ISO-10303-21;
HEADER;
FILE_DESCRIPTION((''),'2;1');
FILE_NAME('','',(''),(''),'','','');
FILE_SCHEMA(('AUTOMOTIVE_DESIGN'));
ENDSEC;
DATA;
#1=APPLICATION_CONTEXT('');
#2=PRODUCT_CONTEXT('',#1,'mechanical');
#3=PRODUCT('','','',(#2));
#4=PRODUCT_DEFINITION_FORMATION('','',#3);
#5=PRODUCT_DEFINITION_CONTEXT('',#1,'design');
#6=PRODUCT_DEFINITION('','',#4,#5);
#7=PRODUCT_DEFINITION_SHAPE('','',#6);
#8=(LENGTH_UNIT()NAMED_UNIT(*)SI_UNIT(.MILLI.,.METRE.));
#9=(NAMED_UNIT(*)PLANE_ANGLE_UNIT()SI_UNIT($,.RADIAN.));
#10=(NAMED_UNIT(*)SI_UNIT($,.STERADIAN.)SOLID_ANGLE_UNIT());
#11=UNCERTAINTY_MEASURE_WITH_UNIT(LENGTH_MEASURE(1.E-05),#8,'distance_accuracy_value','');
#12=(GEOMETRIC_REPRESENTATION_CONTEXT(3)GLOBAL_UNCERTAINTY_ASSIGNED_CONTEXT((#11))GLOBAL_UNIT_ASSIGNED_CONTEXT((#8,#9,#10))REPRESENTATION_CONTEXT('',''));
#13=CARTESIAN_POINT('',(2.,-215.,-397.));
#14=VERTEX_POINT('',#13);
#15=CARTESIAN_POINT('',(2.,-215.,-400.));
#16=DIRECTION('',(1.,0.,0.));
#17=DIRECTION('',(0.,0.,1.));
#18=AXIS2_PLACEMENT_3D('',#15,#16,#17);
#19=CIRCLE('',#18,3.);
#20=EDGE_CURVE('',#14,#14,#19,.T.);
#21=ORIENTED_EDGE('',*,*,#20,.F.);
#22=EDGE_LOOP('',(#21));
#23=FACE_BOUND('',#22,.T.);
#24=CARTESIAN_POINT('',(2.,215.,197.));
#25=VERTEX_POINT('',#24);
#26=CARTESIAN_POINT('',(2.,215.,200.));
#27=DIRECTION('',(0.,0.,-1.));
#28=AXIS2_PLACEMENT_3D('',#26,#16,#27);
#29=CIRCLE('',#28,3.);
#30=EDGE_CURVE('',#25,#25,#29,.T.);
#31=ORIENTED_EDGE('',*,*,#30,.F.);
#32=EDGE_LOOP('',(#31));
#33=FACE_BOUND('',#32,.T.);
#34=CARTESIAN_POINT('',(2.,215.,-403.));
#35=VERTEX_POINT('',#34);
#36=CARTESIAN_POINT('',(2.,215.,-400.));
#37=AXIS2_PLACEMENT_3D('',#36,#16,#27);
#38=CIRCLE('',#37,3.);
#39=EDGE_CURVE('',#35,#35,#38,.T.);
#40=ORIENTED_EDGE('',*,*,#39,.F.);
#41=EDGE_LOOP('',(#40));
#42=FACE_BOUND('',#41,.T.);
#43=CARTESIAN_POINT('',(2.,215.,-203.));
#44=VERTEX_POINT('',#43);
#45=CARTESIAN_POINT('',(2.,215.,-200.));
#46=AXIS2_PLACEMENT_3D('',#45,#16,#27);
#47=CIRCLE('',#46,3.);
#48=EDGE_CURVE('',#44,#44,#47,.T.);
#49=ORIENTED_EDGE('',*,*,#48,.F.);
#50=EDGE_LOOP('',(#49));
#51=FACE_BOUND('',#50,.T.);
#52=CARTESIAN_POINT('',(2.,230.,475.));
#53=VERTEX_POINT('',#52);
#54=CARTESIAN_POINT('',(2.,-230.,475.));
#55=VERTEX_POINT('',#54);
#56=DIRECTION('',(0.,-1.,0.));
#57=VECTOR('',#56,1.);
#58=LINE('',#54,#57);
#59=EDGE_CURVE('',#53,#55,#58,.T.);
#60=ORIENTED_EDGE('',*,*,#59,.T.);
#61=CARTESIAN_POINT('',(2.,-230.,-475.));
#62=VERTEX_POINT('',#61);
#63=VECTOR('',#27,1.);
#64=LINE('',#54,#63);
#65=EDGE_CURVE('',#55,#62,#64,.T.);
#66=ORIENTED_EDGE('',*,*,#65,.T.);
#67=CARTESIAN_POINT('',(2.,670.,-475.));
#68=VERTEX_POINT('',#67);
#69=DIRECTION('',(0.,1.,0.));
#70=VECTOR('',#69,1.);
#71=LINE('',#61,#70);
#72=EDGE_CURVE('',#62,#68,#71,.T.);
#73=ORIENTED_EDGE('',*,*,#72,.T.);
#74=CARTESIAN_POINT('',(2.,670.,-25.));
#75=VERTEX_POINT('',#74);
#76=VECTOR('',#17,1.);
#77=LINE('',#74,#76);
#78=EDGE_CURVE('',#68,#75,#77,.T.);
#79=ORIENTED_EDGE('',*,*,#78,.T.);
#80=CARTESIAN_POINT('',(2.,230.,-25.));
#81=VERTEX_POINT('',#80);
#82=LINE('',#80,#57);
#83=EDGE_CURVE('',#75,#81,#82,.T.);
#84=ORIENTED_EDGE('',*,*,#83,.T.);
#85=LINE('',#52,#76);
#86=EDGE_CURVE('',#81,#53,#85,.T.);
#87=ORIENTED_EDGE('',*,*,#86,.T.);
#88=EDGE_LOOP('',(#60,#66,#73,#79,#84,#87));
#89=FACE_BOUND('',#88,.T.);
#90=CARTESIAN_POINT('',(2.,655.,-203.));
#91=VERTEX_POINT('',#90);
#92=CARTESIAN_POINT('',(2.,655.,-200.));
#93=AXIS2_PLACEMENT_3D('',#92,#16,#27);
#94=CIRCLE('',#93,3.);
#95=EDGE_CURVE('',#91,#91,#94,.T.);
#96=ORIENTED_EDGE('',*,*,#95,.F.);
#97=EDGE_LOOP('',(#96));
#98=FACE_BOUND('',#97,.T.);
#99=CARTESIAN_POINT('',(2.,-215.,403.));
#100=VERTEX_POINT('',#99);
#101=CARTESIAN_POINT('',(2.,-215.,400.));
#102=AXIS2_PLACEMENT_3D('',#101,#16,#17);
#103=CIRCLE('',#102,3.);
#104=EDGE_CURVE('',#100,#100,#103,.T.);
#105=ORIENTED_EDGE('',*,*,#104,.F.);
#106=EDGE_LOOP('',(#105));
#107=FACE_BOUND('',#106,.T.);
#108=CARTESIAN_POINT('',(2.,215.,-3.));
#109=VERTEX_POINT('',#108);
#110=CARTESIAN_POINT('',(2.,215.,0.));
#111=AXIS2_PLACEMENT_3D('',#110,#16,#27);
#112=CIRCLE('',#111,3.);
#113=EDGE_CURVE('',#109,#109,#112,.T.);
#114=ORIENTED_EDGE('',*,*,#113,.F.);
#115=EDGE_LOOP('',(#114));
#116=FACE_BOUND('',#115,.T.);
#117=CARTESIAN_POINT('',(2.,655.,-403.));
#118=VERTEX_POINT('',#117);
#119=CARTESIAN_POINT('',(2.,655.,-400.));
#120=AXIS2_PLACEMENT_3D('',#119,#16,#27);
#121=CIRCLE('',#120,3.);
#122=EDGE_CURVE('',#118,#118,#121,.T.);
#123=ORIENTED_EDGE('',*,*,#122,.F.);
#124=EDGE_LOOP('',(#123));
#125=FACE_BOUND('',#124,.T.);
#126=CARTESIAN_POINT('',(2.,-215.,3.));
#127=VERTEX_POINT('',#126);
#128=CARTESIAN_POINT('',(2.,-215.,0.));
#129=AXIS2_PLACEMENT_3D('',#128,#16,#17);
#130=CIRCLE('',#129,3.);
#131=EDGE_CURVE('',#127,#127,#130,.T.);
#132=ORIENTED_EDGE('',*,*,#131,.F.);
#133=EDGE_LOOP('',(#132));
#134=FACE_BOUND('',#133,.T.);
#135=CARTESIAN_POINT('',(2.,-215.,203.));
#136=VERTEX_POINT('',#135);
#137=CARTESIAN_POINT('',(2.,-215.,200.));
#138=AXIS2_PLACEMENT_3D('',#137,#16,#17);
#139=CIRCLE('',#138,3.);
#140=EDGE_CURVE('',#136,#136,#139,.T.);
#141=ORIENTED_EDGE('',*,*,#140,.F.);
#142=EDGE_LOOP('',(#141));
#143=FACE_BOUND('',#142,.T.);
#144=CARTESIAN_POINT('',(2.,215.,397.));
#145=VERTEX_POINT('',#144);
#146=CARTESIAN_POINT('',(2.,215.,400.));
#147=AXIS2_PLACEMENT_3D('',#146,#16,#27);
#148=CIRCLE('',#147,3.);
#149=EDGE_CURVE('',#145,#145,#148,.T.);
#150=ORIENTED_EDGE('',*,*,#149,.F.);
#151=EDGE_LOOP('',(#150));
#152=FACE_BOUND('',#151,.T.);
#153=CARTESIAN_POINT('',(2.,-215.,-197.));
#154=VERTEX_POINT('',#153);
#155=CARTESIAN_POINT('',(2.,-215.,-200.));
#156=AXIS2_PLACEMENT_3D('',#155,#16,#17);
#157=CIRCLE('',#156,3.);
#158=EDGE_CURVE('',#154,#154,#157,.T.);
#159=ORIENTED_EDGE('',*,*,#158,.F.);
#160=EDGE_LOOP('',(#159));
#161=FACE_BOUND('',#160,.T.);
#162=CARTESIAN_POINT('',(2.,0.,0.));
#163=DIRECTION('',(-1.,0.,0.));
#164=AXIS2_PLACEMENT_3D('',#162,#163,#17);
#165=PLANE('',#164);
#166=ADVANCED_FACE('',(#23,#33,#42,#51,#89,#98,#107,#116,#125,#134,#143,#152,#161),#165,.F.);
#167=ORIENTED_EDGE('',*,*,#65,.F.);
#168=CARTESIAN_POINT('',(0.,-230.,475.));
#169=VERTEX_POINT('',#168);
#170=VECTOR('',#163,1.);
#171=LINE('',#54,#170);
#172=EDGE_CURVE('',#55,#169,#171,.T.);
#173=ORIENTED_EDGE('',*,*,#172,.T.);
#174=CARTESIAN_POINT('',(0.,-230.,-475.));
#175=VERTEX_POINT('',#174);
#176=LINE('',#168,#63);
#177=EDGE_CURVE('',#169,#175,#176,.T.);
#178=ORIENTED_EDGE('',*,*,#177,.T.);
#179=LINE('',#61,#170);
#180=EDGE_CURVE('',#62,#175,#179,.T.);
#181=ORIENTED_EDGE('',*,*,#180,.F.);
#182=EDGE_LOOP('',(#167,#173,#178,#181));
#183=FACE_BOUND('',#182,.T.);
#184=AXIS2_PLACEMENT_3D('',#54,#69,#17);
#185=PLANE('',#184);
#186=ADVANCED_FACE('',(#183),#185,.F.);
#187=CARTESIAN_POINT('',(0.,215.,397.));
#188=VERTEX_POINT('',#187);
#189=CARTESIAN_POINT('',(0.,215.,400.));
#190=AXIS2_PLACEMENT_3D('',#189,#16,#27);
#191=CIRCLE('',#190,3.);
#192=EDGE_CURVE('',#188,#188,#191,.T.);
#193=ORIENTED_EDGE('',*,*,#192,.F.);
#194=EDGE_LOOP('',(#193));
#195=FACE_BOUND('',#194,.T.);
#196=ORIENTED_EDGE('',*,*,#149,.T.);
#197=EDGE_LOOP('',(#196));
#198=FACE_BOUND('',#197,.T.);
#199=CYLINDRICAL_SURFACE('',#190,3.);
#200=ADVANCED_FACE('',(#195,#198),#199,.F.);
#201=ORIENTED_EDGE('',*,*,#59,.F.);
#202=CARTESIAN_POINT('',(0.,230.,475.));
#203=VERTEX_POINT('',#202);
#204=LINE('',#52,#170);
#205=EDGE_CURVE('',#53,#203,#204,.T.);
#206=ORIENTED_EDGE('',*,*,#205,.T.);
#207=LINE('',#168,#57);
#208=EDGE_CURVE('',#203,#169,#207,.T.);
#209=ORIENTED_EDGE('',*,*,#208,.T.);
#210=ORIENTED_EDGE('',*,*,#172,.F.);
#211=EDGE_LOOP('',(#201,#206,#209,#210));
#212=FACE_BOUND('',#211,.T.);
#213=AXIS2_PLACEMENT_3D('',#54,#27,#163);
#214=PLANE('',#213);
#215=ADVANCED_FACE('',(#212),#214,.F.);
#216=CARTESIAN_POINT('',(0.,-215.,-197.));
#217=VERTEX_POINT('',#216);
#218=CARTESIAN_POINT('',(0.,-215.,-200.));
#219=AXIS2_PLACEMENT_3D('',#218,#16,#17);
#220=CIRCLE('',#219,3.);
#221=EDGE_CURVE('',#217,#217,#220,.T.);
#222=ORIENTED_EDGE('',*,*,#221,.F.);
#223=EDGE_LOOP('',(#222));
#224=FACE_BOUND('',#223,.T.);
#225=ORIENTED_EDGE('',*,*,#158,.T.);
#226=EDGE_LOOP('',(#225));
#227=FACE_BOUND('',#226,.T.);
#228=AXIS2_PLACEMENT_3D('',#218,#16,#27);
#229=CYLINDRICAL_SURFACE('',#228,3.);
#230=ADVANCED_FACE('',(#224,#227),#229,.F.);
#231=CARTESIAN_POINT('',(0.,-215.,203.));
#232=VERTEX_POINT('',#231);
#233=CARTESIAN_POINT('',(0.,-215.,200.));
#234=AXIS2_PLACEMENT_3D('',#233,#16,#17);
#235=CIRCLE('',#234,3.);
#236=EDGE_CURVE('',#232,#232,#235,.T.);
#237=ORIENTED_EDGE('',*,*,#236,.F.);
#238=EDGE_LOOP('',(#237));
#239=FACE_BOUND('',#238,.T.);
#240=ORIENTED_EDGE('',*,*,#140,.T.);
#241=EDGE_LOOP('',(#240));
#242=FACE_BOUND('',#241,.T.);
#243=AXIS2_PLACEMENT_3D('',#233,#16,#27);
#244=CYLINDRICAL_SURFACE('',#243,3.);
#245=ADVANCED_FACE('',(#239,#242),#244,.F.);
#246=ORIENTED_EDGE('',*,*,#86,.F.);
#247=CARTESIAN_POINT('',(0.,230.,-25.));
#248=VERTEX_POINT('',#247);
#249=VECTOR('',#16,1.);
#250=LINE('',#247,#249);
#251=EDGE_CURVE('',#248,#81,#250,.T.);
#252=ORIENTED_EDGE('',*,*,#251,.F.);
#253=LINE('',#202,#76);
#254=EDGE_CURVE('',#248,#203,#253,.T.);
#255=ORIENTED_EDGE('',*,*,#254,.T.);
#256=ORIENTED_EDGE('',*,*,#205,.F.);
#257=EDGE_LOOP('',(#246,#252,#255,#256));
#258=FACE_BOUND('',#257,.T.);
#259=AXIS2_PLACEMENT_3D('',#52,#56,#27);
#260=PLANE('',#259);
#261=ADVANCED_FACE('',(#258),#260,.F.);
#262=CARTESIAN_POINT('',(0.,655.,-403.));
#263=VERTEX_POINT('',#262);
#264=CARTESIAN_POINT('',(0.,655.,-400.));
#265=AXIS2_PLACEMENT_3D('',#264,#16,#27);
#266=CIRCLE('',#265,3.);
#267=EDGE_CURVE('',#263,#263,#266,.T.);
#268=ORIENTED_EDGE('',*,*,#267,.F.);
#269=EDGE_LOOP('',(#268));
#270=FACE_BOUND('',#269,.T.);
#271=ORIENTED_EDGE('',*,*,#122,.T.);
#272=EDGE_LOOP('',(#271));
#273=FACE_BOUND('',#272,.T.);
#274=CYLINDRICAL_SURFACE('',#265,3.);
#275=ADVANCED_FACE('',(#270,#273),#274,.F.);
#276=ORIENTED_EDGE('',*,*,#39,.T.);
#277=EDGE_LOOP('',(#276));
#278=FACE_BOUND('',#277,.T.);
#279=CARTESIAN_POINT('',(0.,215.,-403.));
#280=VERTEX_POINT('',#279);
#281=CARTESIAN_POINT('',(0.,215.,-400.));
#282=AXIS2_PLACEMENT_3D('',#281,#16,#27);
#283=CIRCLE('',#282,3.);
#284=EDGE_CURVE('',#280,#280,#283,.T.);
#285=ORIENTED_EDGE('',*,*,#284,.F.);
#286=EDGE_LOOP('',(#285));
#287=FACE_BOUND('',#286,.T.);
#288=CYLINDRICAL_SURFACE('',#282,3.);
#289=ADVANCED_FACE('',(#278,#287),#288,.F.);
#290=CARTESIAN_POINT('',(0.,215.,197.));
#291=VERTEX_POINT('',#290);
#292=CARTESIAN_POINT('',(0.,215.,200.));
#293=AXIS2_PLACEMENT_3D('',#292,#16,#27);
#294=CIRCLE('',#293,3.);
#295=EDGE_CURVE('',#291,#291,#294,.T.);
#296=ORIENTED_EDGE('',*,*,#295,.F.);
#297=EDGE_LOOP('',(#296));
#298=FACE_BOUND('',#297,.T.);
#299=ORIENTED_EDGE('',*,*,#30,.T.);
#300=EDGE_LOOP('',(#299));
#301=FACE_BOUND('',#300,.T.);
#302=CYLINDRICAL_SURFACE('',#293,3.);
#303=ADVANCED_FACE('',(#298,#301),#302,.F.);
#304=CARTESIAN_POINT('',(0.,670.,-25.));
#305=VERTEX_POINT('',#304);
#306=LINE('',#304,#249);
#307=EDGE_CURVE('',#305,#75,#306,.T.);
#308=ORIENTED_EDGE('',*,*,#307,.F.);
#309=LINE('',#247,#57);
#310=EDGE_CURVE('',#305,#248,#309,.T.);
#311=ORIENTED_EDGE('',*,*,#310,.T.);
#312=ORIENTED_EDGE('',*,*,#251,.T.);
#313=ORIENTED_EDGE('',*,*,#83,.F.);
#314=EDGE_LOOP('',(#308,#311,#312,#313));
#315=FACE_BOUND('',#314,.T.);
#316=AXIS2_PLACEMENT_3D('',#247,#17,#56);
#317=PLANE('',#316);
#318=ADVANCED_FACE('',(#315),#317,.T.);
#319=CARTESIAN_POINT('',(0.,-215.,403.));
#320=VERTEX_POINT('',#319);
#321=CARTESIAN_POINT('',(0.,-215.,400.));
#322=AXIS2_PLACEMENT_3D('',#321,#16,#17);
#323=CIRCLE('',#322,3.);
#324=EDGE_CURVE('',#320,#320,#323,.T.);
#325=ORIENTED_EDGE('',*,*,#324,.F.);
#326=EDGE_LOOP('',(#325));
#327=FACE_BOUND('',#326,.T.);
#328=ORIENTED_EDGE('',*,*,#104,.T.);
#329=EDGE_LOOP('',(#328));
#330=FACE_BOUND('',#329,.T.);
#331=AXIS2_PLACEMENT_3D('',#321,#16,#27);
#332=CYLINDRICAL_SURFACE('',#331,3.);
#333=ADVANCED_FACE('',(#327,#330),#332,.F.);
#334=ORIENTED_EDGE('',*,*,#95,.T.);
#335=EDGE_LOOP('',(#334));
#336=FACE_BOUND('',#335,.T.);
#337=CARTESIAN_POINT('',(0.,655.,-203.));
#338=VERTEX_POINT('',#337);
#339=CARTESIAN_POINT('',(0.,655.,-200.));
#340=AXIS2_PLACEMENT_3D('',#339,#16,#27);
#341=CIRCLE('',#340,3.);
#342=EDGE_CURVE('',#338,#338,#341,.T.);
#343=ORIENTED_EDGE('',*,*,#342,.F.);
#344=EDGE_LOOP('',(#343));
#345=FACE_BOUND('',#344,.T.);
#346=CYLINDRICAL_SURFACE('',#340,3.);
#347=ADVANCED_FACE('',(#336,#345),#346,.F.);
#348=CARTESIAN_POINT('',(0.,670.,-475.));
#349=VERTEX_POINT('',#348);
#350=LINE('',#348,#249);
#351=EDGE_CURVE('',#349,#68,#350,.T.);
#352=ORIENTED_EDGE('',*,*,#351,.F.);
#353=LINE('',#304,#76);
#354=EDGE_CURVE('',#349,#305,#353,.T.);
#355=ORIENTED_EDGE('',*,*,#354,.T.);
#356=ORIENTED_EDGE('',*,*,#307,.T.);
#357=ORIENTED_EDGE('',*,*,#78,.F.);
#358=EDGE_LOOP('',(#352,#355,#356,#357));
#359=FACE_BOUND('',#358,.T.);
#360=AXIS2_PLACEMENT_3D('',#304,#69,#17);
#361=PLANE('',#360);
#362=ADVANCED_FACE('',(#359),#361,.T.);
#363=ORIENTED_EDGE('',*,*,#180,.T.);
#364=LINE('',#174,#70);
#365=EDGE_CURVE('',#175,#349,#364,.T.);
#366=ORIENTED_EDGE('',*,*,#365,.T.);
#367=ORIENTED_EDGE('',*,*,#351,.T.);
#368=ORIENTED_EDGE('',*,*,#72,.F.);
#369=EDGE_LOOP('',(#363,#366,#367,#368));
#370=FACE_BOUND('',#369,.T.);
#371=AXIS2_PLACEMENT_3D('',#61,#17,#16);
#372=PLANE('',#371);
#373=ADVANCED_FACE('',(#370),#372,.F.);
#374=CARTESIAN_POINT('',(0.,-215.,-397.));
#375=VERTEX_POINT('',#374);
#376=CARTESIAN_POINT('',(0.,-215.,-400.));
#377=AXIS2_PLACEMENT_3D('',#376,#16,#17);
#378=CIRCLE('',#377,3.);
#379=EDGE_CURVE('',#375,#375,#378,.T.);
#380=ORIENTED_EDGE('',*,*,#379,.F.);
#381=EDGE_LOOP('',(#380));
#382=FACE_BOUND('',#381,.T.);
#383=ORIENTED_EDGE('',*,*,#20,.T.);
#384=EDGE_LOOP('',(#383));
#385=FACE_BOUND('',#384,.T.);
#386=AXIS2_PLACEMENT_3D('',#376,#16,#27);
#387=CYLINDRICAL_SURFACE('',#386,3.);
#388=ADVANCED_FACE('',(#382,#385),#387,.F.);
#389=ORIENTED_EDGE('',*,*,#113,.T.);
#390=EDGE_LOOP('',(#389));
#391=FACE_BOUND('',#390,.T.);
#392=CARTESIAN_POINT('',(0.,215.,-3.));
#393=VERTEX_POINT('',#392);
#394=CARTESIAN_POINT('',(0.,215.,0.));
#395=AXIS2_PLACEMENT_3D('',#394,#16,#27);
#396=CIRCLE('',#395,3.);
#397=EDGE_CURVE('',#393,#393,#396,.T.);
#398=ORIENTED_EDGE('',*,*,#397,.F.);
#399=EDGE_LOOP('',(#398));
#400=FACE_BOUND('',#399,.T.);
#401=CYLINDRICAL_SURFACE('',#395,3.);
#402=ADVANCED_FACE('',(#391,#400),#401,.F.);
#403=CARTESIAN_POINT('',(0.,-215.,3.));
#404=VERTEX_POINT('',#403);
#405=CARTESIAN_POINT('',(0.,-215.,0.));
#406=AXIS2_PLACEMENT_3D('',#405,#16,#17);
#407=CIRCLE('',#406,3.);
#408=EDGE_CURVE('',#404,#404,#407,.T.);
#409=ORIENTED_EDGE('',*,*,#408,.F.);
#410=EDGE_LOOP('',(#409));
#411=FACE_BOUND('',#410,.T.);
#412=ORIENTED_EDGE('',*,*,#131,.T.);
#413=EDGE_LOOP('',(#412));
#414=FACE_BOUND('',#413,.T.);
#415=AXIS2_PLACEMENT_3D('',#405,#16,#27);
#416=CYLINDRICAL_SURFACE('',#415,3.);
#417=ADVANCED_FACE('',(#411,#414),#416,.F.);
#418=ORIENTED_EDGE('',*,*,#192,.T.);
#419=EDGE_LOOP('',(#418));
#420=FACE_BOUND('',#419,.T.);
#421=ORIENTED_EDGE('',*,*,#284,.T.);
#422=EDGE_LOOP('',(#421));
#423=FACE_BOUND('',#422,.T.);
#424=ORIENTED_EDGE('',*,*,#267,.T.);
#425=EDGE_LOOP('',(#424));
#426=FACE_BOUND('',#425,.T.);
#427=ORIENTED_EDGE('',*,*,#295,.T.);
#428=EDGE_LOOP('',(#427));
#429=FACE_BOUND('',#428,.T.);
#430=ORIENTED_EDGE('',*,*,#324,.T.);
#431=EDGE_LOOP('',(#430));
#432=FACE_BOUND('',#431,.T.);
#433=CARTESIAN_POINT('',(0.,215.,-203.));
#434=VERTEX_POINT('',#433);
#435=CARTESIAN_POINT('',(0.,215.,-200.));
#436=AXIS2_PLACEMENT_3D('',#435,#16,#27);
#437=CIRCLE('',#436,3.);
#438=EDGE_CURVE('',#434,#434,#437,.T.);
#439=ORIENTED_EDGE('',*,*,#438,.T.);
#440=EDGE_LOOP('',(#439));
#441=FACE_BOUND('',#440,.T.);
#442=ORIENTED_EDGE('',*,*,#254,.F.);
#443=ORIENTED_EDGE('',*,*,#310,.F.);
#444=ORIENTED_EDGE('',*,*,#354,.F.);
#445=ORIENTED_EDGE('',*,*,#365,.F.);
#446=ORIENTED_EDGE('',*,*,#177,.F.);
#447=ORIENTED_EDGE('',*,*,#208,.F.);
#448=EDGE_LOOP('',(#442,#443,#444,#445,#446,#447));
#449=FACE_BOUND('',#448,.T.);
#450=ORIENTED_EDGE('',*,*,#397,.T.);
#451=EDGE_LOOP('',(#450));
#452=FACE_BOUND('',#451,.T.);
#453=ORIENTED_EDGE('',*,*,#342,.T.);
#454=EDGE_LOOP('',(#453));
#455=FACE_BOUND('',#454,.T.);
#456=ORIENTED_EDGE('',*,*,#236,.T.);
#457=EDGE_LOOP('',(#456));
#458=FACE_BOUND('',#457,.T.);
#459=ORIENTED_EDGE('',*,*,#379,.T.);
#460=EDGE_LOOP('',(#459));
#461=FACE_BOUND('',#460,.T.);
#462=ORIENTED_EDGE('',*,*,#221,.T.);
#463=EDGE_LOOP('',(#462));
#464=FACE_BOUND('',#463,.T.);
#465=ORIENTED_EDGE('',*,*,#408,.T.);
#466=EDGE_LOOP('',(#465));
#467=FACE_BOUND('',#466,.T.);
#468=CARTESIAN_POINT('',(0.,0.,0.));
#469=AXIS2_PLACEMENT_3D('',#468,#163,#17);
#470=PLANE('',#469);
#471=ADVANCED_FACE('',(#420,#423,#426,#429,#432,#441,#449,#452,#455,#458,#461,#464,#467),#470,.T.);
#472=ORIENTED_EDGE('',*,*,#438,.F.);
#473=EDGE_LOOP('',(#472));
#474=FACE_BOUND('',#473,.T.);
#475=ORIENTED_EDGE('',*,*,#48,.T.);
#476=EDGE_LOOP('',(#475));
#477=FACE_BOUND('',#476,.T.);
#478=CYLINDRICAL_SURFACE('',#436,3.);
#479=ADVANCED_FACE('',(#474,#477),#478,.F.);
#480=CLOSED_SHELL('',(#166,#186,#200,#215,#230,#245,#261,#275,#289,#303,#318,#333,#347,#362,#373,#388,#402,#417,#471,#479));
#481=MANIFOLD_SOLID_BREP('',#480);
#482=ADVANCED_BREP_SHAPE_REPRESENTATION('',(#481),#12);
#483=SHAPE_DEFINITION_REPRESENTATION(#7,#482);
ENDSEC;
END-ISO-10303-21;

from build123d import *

# Parameters (mm, degrees)
SKETCH1_W           = 950
SKETCH1_H           = 460
BOSS_EXTRUDE2_DEPTH = 2
SKETCH3_R           = 3
CUT_EXTRUDE1_DEPTH  = 2
SKETCH5_W           = 450
SKETCH5_H           = 440
SKETCH5_R           = 3
BOSS_EXTRUDE3_DEPTH = 2


with BuildPart() as part:
    # Sketch1 → Boss-Extrude2 (new body)
    with BuildSketch(Plane(origin=(0, 0, 0), x_dir=(0, 0, -1), z_dir=(1, 0, 0))):
        Rectangle(SKETCH1_W, SKETCH1_H)
    extrude(amount=BOSS_EXTRUDE2_DEPTH)

    # Sketch3 → Cut-Extrude1 (cut)
    with BuildSketch(Plane(origin=(2, 0, 0), x_dir=(0, 0, -1), z_dir=(1, 0, 0))):
        with Locations((-400, 215)):
            Circle(SKETCH3_R)
        with Locations((-200, 215)):
            Circle(SKETCH3_R)
        with Locations((0, 215)):
            Circle(SKETCH3_R)
        with Locations((200, 215)):
            Circle(SKETCH3_R)
        with Locations((400, 215)):
            Circle(SKETCH3_R)
        with Locations(Location((400, -215, 0), (0, 0, 180))):
            Circle(SKETCH3_R)
        with Locations(Location((0, -215, 0), (0, 0, 180))):
            Circle(SKETCH3_R)
        with Locations(Location((200, -215, 0), (0, 0, 180))):
            Circle(SKETCH3_R)
        with Locations(Location((-200, -215, 0), (0, 0, 180))):
            Circle(SKETCH3_R)
        with Locations(Location((-400, -215, 0), (0, 0, 180))):
            Circle(SKETCH3_R)
    extrude(amount=-CUT_EXTRUDE1_DEPTH, mode=Mode.SUBTRACT)

    # Sketch5 → Boss-Extrude3 (add)
    with BuildSketch(Plane(origin=(2, 0, 0), x_dir=(0, 0, -1), z_dir=(1, 0, 0))):
        with Locations((250, 450)):
            Rectangle(SKETCH5_W, SKETCH5_H)
        with Locations((400, 655)):
            Circle(SKETCH5_R, mode=Mode.SUBTRACT)
        with Locations((200, 655)):
            Circle(SKETCH5_R, mode=Mode.SUBTRACT)
    extrude(amount=-BOSS_EXTRUDE3_DEPTH)


solid = part.part
